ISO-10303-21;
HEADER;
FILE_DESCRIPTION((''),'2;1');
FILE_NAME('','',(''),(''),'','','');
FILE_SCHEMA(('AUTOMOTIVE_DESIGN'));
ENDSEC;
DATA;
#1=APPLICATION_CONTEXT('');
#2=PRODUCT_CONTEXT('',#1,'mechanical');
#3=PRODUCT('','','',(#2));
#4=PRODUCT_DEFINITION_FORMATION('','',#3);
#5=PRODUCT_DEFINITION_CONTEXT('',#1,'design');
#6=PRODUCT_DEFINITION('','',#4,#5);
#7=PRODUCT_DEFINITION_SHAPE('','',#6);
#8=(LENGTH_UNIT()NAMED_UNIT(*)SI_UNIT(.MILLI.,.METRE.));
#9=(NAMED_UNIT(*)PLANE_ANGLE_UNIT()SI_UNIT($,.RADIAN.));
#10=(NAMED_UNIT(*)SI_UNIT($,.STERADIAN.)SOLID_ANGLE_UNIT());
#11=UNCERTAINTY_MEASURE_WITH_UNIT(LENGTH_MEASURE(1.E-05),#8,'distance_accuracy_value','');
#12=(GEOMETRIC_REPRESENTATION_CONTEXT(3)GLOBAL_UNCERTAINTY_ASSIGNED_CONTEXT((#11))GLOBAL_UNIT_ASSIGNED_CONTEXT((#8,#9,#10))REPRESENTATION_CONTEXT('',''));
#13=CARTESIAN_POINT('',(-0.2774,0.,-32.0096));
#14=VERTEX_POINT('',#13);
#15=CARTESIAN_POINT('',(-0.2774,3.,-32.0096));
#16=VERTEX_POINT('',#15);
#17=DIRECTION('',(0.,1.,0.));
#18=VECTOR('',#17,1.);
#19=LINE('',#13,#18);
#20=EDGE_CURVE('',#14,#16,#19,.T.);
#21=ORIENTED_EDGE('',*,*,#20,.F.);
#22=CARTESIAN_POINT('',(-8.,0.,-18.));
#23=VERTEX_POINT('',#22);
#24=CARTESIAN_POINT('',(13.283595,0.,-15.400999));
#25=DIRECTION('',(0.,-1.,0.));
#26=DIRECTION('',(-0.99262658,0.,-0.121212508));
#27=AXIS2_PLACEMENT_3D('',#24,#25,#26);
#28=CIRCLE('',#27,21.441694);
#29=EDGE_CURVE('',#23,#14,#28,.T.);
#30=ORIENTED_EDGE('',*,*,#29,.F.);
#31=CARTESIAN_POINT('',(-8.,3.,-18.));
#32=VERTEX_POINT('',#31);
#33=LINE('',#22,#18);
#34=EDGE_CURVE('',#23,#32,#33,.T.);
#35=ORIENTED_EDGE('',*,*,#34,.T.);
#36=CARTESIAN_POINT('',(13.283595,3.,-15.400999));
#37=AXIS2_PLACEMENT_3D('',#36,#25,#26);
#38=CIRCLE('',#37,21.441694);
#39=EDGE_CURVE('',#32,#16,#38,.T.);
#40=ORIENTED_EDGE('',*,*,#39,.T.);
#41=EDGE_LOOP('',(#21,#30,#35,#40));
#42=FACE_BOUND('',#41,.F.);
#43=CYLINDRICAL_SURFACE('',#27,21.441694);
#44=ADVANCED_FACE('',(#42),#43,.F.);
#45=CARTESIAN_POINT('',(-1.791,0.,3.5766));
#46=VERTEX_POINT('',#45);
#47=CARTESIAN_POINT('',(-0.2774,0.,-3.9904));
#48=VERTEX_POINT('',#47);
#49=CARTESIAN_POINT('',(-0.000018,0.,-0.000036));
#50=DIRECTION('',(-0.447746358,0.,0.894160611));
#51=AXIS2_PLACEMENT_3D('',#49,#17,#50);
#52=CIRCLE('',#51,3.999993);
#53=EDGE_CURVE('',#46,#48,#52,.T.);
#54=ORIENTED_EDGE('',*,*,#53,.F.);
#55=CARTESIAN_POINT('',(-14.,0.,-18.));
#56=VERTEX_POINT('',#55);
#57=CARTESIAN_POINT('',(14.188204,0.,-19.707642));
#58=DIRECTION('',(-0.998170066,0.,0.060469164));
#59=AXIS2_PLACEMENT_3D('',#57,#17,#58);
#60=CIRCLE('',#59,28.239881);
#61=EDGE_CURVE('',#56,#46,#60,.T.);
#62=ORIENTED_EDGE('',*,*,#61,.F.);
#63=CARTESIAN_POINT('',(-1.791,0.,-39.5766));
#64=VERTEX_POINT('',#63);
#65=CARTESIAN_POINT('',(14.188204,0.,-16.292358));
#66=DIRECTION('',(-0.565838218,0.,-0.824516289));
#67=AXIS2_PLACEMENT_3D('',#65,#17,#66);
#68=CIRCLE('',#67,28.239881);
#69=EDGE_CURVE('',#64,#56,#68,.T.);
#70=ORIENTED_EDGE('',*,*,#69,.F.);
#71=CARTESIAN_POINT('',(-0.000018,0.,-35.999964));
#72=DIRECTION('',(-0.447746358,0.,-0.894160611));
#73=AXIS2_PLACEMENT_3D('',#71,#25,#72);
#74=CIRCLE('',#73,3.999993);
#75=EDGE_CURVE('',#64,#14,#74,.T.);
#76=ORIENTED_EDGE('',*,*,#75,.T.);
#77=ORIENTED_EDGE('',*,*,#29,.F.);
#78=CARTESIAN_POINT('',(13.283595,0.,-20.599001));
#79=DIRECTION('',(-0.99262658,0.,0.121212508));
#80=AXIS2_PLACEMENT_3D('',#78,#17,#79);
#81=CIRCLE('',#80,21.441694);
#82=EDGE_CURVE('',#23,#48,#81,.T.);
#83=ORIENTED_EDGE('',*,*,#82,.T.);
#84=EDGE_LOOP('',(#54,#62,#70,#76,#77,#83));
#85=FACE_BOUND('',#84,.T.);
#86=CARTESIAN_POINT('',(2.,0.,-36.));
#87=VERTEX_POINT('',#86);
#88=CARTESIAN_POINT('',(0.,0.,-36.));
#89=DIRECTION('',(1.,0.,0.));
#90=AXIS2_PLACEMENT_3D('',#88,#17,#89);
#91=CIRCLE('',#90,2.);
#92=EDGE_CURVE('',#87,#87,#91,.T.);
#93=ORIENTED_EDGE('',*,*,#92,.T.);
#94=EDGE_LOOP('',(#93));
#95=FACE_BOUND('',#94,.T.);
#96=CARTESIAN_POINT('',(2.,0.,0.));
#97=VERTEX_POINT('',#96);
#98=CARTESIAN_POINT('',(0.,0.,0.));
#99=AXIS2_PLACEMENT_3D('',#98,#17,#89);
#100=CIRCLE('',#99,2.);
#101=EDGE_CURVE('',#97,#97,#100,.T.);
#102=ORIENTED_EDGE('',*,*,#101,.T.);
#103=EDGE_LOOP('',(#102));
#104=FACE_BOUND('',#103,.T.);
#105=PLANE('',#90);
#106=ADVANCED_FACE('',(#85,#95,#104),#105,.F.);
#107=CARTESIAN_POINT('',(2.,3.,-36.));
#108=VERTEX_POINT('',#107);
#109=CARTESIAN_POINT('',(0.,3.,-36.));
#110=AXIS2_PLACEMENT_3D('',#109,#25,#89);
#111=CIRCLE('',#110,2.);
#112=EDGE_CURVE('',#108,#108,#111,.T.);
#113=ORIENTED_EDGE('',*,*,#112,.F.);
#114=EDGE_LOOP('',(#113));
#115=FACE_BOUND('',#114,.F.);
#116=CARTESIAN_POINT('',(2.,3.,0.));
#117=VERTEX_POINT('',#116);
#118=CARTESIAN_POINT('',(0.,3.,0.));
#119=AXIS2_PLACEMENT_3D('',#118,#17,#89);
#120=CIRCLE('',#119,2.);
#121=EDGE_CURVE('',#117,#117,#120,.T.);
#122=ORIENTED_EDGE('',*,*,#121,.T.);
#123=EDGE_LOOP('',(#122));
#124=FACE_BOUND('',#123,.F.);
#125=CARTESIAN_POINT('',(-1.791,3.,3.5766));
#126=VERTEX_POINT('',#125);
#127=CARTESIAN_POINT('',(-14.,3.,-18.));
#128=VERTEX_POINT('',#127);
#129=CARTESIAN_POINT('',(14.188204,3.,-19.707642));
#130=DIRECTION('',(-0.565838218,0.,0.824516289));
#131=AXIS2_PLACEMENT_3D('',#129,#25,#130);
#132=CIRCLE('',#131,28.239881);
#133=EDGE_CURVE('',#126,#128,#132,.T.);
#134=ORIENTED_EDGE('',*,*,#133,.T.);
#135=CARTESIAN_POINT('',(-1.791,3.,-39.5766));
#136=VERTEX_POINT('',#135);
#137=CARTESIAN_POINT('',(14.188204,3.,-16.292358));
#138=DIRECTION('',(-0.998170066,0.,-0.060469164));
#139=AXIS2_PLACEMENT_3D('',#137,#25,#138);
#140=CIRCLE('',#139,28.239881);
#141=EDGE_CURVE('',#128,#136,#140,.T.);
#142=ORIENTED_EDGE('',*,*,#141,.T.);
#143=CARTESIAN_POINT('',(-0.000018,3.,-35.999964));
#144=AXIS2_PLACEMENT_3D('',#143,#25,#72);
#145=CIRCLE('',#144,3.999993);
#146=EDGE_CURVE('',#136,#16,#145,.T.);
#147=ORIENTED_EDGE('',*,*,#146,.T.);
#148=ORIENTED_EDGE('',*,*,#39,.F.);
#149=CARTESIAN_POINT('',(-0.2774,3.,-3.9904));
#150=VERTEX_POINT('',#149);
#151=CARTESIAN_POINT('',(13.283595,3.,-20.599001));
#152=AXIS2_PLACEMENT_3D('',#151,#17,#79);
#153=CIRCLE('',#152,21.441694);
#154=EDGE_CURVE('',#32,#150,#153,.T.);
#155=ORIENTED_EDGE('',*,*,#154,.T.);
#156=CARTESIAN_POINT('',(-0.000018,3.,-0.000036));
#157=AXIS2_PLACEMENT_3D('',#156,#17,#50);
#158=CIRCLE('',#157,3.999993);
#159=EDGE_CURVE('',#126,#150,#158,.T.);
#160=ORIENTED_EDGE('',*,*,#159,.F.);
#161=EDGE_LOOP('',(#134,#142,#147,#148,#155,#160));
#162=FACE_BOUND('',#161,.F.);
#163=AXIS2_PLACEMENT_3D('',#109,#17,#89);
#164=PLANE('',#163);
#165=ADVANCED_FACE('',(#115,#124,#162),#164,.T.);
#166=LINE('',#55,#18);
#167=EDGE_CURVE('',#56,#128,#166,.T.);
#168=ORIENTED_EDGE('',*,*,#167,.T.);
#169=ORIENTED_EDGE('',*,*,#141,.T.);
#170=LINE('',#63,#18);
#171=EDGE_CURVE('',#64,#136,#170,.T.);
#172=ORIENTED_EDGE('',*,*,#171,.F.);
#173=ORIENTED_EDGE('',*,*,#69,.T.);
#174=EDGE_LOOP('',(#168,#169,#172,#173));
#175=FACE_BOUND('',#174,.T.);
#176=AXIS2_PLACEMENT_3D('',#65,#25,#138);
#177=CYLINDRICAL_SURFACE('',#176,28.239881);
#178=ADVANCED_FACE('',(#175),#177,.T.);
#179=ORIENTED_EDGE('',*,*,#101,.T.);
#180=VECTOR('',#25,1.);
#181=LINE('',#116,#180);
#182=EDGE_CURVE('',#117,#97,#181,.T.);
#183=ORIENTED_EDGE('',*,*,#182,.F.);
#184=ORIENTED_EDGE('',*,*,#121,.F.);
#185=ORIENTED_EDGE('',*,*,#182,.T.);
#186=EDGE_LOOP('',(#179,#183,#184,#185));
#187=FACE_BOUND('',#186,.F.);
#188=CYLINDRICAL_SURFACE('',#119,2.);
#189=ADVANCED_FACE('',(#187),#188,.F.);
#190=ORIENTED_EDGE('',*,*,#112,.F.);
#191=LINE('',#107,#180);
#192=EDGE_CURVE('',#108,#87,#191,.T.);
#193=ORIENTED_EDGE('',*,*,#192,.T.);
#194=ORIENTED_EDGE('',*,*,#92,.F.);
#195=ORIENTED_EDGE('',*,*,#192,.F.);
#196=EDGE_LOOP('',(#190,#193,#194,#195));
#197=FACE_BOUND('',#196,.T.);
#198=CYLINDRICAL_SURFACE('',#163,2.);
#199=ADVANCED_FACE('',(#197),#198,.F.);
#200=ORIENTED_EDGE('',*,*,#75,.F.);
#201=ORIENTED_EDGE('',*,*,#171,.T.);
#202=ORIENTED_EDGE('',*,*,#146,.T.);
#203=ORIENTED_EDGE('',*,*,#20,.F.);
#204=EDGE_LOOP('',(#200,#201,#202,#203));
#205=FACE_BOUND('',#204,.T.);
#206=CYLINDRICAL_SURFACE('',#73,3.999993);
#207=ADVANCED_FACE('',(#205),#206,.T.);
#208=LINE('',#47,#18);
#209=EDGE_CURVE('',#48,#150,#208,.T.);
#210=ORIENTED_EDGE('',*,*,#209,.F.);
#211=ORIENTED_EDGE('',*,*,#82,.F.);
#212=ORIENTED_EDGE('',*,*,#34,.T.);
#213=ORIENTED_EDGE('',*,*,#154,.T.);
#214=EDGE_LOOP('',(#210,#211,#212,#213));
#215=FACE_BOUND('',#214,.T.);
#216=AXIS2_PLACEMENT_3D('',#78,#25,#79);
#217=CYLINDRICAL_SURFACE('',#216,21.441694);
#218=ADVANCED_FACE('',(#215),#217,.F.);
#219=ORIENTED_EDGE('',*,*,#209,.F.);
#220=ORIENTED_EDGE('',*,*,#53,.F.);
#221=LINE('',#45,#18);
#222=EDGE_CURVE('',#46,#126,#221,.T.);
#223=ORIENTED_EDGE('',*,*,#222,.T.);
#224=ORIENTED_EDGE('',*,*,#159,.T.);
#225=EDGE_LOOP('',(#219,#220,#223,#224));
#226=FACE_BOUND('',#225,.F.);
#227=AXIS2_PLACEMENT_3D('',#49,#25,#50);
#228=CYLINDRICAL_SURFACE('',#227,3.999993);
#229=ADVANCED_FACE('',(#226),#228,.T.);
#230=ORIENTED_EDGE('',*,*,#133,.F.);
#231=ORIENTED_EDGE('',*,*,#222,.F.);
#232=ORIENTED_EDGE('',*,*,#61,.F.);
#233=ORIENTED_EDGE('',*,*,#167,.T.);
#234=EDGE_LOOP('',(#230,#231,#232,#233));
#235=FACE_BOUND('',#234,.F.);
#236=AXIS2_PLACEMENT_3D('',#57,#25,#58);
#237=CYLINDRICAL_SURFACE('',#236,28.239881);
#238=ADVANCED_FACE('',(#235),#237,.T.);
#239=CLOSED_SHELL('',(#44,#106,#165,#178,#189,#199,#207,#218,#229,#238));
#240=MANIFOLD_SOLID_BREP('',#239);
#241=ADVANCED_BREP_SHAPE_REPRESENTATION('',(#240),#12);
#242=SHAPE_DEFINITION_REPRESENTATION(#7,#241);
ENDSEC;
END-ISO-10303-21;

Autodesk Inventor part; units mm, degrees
ref_plane "YZ Plane" through (0, 0, 0) normal (1, 0, 0) x (0, 1, 0)
ref_plane "XZ Plane" through (0, 0, 0) normal (0, 1, 0) x (-1, 0, 0)
ref_plane "XY Plane" through (0, 0, 0) normal (0, 0, 1) x (1, 0, 0)
sketch "Эскиз3" plane through (0, 0, 0) normal (0, 1, 0) x (-1, 0, 0)
  arc A0 (1.791, 3.5766) -> (0.2774, -3.9904) centre (0, 0) ccw
  arc A1 (14, -18) -> (1.791, 3.5766) centre (-14.1884, -19.7077) ccw
  arc A2 (8, -18) -> (0.2774, -3.9904) centre (-13.2839, -20.5991) ccw
  line L0 (8, -18) -> (14, -18)
  line L1 (0, 0) -> (13.752, 0)
  dimension "d12" = 8
  dimension "d27" = 8
  dimension "d29" = 18
  dimension "d30" = 6
extrude "Выдавливание5" add sketch "Эскиз3" along normal blind 3
sketch "Эскиз5" plane through (0, 3, 0) normal (0, 1, 0) x (1, 0, 0)
  circle A0 centre (0, 0) radius 2
  dimension "d24" = 4
extrude "Выдавливание6" cut sketch "Эскиз5" against normal blind 10
mirror "Зеркальное отражение1" about plane through (-8, 0, -18) normal (0, 0, -1) of "Выдавливание5", "Выдавливание6"
properties part number "000.703 - Тяга" material "Пластик АБС"
